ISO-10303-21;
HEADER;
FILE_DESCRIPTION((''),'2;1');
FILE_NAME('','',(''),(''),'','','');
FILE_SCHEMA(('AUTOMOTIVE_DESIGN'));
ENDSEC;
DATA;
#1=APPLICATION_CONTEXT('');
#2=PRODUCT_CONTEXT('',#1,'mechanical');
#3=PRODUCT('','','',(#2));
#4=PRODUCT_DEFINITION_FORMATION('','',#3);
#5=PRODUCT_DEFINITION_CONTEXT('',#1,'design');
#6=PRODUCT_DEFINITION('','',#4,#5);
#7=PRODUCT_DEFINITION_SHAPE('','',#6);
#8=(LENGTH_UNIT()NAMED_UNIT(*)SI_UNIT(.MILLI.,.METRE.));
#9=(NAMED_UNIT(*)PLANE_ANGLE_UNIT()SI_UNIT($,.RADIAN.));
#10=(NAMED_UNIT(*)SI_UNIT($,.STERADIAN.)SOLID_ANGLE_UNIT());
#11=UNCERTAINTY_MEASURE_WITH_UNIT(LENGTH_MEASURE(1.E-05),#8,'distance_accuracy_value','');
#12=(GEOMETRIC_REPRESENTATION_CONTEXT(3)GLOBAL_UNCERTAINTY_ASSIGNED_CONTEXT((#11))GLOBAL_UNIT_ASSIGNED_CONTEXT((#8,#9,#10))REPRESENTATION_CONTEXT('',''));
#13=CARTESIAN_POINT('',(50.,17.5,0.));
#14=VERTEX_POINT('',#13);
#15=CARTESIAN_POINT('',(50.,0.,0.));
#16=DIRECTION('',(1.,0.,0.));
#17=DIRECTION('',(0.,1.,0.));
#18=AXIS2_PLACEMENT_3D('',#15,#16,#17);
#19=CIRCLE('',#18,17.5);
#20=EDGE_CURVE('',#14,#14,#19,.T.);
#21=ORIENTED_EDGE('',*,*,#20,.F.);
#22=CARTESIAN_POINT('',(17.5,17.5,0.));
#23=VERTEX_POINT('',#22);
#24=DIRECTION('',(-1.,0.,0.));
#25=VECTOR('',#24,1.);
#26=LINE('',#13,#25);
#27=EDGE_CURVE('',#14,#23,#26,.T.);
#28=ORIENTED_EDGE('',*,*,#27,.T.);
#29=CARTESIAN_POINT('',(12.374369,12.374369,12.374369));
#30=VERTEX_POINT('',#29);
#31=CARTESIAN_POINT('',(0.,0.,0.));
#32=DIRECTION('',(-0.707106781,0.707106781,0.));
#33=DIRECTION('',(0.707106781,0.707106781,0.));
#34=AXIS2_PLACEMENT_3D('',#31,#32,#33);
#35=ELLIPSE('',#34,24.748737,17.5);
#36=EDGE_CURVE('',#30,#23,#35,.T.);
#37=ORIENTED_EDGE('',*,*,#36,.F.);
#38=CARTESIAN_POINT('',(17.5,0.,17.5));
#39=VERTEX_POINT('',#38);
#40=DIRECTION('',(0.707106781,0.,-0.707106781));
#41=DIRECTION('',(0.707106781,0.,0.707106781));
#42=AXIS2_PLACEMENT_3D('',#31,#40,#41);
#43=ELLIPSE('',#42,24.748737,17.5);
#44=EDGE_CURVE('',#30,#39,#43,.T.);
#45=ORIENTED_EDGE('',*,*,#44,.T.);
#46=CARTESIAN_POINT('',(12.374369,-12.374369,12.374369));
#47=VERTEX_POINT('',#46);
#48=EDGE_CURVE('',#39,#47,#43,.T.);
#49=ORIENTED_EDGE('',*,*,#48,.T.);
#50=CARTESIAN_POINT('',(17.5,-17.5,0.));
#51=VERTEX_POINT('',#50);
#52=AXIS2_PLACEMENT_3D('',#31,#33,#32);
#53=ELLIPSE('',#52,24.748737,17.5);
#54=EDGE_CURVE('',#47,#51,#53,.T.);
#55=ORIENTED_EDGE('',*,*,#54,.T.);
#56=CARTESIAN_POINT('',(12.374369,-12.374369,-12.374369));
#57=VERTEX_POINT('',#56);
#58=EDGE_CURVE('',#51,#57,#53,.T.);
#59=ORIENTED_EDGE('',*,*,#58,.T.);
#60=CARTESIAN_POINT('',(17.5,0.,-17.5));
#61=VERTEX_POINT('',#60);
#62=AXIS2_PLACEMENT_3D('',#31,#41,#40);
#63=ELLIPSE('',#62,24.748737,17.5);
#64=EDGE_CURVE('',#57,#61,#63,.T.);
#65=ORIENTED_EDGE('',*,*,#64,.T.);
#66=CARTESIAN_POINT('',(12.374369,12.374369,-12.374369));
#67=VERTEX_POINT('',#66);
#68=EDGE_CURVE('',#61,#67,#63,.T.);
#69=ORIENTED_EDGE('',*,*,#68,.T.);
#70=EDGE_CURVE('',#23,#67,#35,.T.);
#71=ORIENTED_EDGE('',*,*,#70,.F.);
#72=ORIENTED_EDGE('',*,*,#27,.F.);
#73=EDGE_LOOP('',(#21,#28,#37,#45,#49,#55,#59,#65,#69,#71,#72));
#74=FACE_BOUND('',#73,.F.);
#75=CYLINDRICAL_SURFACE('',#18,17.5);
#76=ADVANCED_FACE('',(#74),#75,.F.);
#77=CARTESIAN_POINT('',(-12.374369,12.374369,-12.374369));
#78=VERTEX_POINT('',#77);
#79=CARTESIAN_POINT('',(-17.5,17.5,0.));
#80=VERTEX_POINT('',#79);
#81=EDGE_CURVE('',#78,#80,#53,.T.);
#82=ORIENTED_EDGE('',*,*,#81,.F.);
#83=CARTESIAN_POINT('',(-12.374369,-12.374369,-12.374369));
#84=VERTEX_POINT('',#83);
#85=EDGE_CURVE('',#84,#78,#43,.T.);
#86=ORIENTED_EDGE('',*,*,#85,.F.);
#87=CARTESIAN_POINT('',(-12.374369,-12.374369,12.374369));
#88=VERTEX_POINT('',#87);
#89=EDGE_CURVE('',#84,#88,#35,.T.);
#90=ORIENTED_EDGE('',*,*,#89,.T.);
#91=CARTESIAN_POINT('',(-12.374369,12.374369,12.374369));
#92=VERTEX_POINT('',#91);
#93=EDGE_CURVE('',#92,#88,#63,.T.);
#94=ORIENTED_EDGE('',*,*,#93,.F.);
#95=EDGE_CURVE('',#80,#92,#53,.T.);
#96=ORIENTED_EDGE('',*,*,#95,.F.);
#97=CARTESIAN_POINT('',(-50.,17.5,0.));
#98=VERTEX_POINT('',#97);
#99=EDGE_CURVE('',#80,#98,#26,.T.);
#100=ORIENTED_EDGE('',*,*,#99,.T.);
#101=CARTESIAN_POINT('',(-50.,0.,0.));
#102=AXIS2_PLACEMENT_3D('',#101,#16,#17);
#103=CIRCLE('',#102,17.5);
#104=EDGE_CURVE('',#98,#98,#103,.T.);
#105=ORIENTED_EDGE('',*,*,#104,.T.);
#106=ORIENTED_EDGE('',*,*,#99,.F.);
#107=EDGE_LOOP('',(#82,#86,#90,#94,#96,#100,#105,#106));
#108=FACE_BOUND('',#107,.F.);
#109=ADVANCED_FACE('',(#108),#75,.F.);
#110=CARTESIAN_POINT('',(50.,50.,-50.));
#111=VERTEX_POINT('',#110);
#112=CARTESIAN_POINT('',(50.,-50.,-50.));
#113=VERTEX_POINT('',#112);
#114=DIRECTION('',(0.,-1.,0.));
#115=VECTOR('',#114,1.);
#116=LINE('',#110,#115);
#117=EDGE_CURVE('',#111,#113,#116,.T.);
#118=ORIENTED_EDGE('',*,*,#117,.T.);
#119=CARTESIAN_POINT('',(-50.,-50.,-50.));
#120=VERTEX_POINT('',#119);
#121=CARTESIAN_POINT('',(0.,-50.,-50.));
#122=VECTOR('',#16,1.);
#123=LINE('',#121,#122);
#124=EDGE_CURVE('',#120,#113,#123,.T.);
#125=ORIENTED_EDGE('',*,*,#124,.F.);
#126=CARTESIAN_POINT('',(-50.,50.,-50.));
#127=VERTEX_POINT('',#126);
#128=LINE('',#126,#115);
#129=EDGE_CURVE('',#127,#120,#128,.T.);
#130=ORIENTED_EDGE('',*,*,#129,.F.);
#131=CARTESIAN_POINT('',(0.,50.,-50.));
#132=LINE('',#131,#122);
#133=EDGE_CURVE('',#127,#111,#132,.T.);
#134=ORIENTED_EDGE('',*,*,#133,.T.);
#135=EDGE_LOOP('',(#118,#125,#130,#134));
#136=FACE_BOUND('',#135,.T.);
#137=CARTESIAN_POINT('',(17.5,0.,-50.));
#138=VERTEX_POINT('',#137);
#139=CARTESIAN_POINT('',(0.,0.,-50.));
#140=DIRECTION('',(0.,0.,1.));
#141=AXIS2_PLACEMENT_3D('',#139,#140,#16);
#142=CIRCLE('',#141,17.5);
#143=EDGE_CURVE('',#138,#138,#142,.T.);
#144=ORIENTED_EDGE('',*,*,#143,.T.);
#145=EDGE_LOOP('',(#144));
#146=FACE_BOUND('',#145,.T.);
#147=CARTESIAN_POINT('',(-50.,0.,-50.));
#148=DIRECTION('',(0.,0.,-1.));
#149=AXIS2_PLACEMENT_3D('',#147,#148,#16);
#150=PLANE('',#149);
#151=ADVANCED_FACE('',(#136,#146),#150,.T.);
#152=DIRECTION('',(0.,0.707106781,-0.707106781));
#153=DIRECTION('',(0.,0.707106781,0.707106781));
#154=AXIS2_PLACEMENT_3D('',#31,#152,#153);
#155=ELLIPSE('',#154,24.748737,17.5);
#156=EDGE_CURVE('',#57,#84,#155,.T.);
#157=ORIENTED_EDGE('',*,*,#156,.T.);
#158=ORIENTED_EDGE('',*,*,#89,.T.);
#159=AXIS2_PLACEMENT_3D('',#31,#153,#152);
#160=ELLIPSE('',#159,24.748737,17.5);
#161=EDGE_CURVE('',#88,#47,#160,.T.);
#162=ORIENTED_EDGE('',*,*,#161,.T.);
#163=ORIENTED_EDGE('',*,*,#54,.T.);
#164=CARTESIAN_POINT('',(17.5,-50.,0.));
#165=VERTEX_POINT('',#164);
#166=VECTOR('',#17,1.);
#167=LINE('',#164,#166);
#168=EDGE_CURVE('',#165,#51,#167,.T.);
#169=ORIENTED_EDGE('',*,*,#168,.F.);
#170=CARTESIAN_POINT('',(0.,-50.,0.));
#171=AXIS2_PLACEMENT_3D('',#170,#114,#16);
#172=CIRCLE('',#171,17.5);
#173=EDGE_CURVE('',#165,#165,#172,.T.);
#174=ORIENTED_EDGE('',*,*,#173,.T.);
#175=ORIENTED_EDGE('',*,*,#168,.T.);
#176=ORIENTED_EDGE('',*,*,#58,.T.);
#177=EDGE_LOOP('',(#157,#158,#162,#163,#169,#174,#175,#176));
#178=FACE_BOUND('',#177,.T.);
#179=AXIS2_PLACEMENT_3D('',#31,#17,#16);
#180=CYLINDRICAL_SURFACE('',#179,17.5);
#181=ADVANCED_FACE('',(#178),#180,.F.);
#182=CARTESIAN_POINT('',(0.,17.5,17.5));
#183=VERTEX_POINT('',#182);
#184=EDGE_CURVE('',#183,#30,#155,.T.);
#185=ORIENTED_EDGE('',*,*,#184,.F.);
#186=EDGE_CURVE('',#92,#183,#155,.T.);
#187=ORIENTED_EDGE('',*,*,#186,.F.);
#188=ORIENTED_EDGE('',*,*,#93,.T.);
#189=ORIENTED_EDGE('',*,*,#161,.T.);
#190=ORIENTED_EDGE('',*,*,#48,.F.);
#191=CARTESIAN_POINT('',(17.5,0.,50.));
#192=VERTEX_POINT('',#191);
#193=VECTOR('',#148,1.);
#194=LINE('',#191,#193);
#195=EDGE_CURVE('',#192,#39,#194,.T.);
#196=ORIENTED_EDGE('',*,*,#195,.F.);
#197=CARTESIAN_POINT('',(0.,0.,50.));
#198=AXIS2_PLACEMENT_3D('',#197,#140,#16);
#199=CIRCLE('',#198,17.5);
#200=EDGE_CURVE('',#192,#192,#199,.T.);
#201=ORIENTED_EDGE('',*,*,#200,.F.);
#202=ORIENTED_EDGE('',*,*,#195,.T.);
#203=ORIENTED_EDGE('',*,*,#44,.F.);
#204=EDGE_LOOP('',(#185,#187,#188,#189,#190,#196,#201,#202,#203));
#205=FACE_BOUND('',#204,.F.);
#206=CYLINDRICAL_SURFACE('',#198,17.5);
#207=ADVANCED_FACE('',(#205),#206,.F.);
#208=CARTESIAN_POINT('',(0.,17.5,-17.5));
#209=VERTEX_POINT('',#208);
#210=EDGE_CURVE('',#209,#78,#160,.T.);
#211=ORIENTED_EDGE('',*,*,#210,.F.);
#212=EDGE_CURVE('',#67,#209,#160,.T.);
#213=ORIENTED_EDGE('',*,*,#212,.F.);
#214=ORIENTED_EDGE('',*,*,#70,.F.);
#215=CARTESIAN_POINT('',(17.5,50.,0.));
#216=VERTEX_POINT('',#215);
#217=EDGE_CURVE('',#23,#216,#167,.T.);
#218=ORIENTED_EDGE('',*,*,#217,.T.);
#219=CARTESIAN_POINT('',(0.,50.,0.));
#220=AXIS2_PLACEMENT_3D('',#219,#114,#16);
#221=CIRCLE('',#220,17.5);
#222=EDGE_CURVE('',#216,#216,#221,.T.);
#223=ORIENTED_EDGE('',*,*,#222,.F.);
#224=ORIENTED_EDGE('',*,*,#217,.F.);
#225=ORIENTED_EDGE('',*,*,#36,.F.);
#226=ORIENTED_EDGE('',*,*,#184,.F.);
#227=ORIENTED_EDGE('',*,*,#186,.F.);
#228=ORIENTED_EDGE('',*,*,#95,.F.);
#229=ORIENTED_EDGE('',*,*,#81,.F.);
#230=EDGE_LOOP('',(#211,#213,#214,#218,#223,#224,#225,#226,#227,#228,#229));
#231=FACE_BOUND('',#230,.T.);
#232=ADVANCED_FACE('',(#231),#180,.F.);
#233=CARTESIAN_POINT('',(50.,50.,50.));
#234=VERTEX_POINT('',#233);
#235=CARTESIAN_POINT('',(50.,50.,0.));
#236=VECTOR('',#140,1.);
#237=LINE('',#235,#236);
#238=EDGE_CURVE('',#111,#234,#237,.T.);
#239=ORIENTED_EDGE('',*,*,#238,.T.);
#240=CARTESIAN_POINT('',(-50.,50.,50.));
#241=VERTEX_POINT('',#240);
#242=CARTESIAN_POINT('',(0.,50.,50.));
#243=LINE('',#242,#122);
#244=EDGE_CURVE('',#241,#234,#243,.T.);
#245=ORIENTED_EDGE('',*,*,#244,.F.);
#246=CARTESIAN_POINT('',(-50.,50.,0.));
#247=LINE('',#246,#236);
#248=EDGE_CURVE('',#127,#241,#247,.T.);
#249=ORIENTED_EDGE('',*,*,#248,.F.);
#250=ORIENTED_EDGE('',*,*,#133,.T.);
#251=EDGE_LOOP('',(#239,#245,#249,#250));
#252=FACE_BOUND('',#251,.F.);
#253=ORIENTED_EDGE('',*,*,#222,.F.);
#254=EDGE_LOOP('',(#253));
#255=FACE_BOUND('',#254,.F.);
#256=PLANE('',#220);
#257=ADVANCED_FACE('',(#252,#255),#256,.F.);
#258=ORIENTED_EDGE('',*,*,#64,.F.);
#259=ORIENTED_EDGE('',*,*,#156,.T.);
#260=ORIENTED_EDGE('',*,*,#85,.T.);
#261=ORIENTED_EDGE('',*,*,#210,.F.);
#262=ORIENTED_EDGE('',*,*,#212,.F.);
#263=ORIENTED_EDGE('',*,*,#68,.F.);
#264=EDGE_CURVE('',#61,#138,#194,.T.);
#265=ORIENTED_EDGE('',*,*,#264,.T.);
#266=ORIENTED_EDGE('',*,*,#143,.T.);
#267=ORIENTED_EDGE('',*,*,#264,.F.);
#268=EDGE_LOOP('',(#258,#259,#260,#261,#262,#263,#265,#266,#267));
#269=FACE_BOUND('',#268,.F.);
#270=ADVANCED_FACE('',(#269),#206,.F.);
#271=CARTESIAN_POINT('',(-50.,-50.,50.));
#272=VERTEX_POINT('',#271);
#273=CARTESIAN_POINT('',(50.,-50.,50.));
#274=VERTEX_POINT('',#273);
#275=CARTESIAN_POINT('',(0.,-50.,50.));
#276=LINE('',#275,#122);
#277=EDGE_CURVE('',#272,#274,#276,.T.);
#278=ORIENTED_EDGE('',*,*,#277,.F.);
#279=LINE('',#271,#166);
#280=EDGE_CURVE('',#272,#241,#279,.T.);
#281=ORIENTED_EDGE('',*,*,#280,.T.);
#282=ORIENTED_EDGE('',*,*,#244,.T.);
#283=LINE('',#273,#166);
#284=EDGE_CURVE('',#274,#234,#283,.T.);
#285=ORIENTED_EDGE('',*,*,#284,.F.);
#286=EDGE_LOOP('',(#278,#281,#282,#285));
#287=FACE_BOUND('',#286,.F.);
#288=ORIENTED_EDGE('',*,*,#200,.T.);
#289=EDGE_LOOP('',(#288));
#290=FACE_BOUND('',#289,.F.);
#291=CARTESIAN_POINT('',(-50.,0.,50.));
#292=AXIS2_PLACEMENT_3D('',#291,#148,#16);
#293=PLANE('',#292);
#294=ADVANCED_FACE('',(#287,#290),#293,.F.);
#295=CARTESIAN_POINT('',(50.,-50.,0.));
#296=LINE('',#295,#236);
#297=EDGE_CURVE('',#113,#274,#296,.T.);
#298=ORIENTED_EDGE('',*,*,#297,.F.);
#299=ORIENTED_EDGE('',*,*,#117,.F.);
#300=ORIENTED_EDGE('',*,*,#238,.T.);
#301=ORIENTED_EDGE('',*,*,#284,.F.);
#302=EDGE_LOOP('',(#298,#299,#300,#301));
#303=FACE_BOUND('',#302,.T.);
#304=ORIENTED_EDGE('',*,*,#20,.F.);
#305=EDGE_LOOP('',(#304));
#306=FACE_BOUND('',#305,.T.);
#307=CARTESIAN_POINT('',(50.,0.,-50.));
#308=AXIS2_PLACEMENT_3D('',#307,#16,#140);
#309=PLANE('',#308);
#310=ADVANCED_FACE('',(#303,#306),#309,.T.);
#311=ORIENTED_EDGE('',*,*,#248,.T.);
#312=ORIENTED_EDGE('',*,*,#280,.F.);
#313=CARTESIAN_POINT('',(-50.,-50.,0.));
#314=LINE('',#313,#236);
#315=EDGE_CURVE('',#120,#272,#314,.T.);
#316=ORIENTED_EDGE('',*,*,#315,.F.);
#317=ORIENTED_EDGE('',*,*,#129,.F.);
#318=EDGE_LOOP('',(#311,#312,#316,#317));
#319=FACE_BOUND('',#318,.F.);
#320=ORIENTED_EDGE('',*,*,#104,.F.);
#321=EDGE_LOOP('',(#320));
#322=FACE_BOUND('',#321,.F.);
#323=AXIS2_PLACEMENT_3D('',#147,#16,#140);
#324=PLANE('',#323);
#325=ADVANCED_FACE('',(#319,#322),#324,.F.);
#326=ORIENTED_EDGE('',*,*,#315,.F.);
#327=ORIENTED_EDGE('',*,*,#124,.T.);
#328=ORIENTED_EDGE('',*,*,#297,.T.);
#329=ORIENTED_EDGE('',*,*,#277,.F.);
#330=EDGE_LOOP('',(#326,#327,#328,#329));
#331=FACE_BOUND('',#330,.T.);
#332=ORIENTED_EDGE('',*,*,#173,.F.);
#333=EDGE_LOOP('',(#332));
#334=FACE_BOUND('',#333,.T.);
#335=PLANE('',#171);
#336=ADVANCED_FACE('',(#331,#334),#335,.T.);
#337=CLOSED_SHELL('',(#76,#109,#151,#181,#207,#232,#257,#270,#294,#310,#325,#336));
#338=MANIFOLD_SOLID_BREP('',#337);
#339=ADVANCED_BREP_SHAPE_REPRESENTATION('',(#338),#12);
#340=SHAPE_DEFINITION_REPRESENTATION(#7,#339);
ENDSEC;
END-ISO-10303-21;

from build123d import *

# Parameters (mm, degrees)
F0_W     = 100
F0_H     = 100
F0_R     = 17.5
F1_DEPTH = 50
F2_R     = 17.5
F3_DEPTH = 100
F4_R     = 17.5
F5_DEPTH = 100


with BuildPart() as f1:
    # F0 (on Front) → F1 (new body, symmetric)
    with BuildSketch(Plane.XZ):
        Rectangle(F0_W, F0_H)
        Circle(F0_R, mode=Mode.SUBTRACT)
    extrude(amount=F1_DEPTH, both=True)

    # F2 (on face) → F3 (cut, through all)
    with BuildSketch(Plane.YZ.offset(50)):
        Circle(F2_R)
    extrude(amount=-F3_DEPTH, mode=Mode.SUBTRACT)

    # F4 (on face) → F5 (cut, through all)
    with BuildSketch(Plane.XY.offset(50)):
        Circle(F4_R)
    extrude(amount=-F5_DEPTH, mode=Mode.SUBTRACT)


solid = f1.part
